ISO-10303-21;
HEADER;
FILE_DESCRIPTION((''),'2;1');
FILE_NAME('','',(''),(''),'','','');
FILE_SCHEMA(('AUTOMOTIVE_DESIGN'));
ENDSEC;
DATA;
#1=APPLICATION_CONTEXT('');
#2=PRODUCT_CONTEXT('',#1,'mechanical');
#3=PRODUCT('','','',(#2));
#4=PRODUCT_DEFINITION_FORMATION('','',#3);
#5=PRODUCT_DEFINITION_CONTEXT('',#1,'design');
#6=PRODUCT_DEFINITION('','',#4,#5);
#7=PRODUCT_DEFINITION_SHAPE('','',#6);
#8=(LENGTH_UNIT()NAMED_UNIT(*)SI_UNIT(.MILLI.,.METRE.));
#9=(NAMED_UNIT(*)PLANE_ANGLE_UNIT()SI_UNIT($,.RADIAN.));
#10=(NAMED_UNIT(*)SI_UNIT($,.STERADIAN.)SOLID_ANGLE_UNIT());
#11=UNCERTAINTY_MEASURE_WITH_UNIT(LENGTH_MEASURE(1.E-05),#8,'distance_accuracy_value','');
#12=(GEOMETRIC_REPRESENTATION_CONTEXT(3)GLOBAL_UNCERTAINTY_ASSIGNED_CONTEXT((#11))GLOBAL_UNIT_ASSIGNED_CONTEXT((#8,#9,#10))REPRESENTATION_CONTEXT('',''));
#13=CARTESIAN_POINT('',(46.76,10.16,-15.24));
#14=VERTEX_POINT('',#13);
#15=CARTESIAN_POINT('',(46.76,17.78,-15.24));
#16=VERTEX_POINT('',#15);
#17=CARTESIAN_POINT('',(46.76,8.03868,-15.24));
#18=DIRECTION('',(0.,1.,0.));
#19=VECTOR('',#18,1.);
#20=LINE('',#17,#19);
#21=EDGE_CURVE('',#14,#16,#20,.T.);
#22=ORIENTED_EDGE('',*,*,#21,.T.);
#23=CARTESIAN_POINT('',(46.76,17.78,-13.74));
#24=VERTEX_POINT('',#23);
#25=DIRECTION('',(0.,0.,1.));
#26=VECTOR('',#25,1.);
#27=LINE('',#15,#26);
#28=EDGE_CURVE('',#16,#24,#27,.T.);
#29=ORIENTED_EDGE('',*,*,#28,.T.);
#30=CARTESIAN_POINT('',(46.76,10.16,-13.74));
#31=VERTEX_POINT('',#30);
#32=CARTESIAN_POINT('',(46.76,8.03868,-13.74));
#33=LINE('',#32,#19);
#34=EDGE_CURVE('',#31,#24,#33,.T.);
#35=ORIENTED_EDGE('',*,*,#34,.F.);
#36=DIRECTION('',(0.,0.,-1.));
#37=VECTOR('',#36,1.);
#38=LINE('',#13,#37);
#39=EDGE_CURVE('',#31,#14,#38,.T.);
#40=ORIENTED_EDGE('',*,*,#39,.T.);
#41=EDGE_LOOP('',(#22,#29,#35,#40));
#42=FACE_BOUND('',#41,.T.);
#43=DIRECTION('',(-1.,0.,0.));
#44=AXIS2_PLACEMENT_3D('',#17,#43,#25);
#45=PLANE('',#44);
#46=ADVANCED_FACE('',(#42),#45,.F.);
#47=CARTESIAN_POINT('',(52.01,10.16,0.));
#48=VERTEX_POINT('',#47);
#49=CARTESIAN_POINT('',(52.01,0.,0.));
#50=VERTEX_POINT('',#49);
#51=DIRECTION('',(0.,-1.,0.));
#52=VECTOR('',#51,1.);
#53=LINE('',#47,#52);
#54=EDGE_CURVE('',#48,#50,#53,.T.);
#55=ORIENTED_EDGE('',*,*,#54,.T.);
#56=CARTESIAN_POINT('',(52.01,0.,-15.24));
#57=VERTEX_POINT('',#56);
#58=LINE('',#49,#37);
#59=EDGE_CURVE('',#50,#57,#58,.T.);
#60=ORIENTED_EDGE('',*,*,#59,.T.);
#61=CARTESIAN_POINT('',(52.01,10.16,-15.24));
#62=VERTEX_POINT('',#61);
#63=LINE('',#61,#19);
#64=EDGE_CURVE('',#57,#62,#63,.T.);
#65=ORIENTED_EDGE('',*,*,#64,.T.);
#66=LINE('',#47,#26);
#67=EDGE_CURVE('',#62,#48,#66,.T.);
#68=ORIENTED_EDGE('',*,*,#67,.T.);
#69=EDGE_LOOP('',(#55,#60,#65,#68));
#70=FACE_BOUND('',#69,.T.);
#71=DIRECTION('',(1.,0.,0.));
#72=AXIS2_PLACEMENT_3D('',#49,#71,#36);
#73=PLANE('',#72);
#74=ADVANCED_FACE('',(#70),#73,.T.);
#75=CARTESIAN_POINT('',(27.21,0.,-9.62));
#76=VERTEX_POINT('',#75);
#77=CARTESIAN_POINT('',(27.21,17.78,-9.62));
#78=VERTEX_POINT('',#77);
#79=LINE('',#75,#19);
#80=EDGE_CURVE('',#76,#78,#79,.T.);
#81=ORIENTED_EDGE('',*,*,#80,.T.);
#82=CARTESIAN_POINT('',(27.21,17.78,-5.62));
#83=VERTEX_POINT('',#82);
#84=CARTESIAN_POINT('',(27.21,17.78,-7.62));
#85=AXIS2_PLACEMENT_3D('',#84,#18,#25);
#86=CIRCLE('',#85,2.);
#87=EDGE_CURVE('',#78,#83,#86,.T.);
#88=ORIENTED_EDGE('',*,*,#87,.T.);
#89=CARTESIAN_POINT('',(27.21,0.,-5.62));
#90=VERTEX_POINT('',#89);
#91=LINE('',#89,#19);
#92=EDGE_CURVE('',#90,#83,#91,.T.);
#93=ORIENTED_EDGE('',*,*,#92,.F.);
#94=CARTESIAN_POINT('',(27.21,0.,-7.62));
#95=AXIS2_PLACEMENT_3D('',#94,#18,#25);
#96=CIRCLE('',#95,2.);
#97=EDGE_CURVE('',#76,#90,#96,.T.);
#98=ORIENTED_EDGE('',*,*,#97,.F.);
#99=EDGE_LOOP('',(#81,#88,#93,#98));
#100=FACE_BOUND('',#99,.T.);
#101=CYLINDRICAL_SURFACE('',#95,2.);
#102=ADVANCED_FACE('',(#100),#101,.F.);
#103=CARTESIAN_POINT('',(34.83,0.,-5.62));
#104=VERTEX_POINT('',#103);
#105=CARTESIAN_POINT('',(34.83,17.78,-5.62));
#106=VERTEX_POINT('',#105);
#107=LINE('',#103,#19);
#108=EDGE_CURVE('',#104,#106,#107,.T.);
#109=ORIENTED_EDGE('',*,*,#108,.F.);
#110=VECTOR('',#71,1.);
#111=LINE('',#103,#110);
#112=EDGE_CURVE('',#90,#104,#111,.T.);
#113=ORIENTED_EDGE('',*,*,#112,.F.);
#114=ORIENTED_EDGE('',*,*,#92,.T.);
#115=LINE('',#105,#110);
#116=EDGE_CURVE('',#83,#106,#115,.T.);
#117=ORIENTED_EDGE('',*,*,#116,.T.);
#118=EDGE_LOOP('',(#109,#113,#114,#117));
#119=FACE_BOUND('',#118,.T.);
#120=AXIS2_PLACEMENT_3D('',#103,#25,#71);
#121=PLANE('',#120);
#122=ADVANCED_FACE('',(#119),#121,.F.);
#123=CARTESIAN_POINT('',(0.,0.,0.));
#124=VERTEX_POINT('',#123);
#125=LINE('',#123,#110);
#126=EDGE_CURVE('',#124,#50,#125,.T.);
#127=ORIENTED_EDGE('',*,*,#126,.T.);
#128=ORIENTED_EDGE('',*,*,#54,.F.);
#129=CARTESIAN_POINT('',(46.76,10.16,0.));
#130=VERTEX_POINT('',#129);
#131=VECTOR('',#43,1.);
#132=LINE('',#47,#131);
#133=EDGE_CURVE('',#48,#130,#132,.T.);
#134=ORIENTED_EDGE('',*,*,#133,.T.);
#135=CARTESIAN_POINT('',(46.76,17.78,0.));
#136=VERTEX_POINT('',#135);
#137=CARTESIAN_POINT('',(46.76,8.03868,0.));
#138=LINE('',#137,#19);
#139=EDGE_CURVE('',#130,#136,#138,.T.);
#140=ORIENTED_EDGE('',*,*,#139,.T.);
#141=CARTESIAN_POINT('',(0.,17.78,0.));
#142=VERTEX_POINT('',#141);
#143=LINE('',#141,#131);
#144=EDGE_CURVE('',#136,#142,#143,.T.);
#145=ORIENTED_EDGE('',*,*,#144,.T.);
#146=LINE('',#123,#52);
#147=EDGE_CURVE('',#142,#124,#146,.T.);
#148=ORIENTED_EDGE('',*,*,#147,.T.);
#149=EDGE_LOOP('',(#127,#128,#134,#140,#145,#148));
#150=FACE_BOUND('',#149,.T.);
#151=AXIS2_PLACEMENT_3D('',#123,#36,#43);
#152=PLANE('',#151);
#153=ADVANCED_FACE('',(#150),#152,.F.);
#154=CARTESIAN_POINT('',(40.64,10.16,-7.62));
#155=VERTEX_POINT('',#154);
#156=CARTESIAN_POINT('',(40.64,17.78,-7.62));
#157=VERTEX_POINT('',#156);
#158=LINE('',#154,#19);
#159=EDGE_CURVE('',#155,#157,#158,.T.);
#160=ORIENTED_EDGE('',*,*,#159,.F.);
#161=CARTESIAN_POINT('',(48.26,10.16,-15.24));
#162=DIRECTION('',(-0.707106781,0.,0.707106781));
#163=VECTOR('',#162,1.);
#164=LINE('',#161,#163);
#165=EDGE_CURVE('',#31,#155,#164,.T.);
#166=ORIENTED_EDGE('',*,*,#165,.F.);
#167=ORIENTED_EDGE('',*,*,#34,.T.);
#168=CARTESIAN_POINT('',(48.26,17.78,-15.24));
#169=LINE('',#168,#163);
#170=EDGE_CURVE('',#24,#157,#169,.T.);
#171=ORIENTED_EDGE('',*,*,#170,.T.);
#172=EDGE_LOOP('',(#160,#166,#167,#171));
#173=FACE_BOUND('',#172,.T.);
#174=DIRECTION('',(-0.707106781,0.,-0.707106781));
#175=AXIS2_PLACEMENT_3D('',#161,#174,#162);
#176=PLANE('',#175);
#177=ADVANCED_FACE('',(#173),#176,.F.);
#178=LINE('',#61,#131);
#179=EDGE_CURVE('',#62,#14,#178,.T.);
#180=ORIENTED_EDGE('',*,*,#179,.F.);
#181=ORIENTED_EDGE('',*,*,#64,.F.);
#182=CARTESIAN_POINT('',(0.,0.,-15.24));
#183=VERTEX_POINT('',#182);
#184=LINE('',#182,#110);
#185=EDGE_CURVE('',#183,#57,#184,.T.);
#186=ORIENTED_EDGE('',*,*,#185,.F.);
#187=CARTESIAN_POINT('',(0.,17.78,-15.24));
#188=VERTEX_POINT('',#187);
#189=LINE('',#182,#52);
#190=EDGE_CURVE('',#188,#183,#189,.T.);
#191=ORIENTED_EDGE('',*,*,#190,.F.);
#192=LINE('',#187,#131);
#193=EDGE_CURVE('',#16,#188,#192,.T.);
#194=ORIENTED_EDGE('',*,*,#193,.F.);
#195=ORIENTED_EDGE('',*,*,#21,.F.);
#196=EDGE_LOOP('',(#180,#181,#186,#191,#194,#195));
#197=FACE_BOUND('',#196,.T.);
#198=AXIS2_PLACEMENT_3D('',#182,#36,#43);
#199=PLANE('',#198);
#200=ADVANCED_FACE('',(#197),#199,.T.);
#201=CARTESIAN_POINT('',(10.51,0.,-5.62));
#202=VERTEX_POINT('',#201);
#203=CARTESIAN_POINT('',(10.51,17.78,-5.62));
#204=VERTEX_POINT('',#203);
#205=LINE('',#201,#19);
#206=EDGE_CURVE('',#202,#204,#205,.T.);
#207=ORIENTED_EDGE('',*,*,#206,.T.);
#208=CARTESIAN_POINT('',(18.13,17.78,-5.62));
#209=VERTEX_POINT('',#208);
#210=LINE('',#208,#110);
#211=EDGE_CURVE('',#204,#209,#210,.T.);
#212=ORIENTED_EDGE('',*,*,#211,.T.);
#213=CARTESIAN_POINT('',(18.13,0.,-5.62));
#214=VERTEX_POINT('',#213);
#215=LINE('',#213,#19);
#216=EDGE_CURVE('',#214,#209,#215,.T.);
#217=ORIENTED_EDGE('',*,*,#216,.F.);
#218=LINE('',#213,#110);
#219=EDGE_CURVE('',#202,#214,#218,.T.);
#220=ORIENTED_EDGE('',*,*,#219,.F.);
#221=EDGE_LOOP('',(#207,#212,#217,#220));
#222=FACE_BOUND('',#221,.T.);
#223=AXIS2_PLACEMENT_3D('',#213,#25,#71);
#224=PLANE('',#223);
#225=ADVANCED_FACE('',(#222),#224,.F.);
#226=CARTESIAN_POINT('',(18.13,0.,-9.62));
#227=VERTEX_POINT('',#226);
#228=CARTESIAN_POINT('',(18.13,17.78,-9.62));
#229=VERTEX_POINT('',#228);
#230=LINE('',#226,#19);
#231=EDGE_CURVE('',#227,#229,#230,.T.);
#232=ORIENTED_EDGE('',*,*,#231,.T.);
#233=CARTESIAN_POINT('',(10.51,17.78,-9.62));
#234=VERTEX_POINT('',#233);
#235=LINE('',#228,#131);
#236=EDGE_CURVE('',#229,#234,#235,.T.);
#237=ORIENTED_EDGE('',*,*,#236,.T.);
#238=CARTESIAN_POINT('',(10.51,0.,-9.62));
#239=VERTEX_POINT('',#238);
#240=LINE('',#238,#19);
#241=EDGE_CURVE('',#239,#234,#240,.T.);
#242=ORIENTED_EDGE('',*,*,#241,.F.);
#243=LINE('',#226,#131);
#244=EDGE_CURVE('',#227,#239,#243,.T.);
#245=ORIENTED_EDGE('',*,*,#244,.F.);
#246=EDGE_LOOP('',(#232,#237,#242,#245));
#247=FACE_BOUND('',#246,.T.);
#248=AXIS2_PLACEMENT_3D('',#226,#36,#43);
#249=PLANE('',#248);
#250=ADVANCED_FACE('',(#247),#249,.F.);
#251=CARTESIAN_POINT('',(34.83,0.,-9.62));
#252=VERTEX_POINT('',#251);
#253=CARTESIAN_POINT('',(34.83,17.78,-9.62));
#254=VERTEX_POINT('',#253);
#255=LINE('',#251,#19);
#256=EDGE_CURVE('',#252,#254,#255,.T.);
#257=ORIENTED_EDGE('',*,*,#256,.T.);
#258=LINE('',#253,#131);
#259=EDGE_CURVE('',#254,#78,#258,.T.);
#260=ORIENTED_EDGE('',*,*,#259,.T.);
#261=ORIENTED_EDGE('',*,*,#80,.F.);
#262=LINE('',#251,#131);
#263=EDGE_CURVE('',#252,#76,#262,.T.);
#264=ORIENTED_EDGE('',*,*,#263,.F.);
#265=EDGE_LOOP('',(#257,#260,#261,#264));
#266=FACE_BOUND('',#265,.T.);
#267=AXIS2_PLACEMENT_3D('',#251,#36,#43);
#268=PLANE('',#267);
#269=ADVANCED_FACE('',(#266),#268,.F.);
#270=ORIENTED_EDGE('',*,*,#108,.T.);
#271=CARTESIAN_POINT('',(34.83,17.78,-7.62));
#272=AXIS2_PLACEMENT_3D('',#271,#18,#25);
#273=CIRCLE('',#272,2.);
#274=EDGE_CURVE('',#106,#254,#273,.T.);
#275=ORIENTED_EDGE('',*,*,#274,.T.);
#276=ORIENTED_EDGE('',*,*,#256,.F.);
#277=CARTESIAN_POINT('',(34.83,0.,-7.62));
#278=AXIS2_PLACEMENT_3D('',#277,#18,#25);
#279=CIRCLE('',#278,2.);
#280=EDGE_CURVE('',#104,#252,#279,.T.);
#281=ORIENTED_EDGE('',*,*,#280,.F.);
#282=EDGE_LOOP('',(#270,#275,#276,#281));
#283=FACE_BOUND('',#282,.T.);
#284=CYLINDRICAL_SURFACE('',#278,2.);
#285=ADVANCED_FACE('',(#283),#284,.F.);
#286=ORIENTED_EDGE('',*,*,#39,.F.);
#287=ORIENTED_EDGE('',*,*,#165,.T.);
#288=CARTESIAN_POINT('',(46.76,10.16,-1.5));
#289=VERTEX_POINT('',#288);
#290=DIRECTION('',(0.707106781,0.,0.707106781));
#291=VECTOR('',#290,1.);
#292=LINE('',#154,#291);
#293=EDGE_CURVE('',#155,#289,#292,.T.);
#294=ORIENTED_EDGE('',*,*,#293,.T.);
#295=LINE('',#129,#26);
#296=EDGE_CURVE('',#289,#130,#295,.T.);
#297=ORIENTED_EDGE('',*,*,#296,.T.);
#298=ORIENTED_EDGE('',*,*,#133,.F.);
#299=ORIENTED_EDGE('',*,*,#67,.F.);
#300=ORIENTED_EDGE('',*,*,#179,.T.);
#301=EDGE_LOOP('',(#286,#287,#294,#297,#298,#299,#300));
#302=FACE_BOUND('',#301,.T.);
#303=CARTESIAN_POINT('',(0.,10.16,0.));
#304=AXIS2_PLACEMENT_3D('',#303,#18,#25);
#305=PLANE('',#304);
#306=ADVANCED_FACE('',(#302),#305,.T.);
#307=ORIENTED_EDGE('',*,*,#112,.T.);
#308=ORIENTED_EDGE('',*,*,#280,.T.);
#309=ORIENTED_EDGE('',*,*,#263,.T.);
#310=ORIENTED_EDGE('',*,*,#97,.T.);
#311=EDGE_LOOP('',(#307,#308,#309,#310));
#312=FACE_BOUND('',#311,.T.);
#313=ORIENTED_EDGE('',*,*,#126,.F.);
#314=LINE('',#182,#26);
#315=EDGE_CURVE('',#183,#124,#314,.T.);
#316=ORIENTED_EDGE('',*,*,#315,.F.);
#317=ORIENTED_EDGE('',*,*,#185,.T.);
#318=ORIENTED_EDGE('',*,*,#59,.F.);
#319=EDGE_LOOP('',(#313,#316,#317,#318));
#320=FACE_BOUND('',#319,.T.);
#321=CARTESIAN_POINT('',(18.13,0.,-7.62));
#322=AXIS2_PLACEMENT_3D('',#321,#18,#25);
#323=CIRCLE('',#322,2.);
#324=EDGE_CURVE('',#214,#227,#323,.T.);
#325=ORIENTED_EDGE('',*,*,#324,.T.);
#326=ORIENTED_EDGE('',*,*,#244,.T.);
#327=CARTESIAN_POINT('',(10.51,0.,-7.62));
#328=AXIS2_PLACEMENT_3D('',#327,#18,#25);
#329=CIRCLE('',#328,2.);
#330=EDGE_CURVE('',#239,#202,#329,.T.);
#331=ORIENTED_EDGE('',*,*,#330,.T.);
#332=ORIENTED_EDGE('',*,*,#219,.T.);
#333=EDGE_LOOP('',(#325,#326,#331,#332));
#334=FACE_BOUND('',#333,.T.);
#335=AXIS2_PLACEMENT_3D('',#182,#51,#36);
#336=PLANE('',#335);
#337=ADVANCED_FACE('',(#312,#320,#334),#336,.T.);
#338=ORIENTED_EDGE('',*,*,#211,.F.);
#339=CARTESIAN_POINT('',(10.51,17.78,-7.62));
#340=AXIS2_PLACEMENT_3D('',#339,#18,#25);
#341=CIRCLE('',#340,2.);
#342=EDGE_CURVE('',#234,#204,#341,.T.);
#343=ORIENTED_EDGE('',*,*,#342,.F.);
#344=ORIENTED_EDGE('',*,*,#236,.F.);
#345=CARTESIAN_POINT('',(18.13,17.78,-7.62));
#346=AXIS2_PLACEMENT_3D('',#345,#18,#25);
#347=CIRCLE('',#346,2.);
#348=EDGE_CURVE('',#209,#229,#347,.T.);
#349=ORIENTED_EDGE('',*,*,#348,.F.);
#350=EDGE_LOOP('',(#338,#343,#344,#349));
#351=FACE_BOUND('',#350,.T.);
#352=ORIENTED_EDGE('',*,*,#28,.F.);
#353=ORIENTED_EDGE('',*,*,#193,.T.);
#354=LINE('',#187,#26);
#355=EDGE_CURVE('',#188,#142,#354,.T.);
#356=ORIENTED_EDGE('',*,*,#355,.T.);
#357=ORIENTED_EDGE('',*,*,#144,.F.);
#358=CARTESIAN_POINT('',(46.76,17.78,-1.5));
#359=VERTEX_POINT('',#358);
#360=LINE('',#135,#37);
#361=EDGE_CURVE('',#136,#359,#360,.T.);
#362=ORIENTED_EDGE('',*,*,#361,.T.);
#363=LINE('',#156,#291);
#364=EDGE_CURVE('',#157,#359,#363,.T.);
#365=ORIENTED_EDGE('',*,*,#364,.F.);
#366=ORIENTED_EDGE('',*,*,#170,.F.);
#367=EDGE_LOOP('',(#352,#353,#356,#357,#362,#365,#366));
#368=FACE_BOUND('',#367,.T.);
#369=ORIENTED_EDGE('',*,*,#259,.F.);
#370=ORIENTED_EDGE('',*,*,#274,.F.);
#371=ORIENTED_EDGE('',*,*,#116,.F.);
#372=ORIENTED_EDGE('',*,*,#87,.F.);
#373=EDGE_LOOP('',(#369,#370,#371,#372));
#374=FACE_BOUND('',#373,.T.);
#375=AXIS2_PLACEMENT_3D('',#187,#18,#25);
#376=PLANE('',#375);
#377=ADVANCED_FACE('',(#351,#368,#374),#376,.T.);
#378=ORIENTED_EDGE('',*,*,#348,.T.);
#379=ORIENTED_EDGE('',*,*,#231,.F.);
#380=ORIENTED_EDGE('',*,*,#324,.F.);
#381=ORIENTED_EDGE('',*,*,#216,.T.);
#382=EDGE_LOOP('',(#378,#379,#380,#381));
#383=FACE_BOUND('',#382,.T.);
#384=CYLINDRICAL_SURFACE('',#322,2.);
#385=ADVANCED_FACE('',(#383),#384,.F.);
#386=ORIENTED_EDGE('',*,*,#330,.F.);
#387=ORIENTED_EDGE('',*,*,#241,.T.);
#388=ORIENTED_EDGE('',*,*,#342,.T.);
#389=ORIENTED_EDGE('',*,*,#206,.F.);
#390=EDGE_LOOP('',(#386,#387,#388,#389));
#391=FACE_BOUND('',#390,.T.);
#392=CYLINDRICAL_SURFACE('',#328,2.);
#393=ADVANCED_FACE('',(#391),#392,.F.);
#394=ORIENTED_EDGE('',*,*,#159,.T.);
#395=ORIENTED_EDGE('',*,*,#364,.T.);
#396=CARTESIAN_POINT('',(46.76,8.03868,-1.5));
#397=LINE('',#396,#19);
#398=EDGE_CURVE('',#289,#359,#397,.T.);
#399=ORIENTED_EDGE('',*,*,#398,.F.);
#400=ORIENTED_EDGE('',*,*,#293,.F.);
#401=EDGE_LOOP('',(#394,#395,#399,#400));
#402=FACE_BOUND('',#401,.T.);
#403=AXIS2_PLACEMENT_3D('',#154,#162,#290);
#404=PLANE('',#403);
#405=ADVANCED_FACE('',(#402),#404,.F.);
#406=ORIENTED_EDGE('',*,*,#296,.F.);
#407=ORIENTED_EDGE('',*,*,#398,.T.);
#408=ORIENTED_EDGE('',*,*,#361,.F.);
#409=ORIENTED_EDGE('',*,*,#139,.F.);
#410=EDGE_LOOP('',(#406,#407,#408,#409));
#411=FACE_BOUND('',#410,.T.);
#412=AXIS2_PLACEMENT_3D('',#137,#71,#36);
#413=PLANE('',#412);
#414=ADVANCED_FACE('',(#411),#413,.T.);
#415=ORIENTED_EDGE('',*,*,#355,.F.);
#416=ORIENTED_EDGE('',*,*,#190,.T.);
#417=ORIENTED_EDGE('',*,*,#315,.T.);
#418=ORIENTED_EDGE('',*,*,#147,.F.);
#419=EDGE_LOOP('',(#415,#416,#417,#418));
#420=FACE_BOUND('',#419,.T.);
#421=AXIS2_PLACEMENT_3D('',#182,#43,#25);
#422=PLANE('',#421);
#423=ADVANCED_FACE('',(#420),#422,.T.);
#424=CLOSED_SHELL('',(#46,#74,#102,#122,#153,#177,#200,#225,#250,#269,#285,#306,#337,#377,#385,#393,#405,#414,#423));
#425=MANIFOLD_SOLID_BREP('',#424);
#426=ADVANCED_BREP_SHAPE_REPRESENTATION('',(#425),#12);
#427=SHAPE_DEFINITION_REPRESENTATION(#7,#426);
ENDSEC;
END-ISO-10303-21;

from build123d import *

# Parameters (mm, degrees)
SKETCH1_W           = 48.26
SKETCH1_H           = 17.78
BOSS_EXTRUDE1_DEPTH = 15.24
CUT_EXTRUDE1_DEPTH  = 7.62
CUT_EXTRUDE2_DEPTH  = 54.641528688
SKETCH5_W           = 15.24
SKETCH5_H           = 10.16
BOSS_EXTRUDE2_DEPTH = 3.75
CUT_EXTRUDE5_DEPTH  = 7.62
CUT_EXTRUDE7_DEPTH  = 7.62


with BuildPart() as part:
    # Sketch1 → Boss-Extrude1 (new body)
    with BuildSketch(Plane.XY):
        with Locations((24.13, 8.89)):
            Rectangle(SKETCH1_W, SKETCH1_H)
    extrude(amount=-BOSS_EXTRUDE1_DEPTH)

    # Sketch3 → Cut-Extrude1 (cut)
    with BuildSketch(Plane(origin=(0, 17.78, 0), x_dir=(1, 0, 0), z_dir=(0, 1, 0))):
        Polygon((48.26, 15.24), (40.64, 7.62), (48.26, 0), align=None)
    extrude(amount=-CUT_EXTRUDE1_DEPTH, mode=Mode.SUBTRACT)

    # Sketch4 → Cut-Extrude2 (cut, through all)
    with BuildSketch(Plane(origin=(0, 17.78, 0), x_dir=(1, 0, 0), z_dir=(0, 1, 0))):
        with BuildLine():
            Line((34.83, 5.62), (27.21, 5.62))
            ThreePointArc((27.21, 5.62), (25.21, 7.62), (27.21, 9.62))
            Line((27.21, 9.62), (34.83, 9.62))
            ThreePointArc((34.83, 9.62), (36.83, 7.62), (34.83, 5.62))
        make_face()
        with BuildLine():
            Line((18.13, 5.62), (10.51, 5.62))
            ThreePointArc((10.51, 5.62), (8.51, 7.62), (10.51, 9.62))
            Line((10.51, 9.62), (18.13, 9.62))
            ThreePointArc((18.13, 9.62), (20.13, 7.62), (18.13, 5.62))
        make_face()
    extrude(amount=-CUT_EXTRUDE2_DEPTH, mode=Mode.SUBTRACT)

    # Sketch5 → Boss-Extrude2 (add)
    with BuildSketch(Plane(origin=(48.26, 0, 0), x_dir=(0, 0, -1), z_dir=(1, 0, 0))):
        with Locations((7.62, 5.08)):
            Rectangle(SKETCH5_W, SKETCH5_H)
    extrude(amount=BOSS_EXTRUDE2_DEPTH)

    # Sketch6 → Cut-Extrude5 (cut)
    with BuildSketch(Plane(origin=(0, 17.78, 0), x_dir=(1, 0, 0), z_dir=(0, 1, 0))):
        Polygon((48.26, 0), (46.76, 0), (46.76, 1.5), align=None)
    extrude(amount=-CUT_EXTRUDE5_DEPTH, mode=Mode.SUBTRACT)

    # Sketch7 → Cut-Extrude7 (cut)
    with BuildSketch(Plane(origin=(0, 17.78, 0), x_dir=(1, 0, 0), z_dir=(0, 1, 0))):
        Polygon((48.26, 15.24), (46.76, 15.24), (46.76, 13.74), align=None)
    extrude(amount=-CUT_EXTRUDE7_DEPTH, mode=Mode.SUBTRACT)


solid = part.part
